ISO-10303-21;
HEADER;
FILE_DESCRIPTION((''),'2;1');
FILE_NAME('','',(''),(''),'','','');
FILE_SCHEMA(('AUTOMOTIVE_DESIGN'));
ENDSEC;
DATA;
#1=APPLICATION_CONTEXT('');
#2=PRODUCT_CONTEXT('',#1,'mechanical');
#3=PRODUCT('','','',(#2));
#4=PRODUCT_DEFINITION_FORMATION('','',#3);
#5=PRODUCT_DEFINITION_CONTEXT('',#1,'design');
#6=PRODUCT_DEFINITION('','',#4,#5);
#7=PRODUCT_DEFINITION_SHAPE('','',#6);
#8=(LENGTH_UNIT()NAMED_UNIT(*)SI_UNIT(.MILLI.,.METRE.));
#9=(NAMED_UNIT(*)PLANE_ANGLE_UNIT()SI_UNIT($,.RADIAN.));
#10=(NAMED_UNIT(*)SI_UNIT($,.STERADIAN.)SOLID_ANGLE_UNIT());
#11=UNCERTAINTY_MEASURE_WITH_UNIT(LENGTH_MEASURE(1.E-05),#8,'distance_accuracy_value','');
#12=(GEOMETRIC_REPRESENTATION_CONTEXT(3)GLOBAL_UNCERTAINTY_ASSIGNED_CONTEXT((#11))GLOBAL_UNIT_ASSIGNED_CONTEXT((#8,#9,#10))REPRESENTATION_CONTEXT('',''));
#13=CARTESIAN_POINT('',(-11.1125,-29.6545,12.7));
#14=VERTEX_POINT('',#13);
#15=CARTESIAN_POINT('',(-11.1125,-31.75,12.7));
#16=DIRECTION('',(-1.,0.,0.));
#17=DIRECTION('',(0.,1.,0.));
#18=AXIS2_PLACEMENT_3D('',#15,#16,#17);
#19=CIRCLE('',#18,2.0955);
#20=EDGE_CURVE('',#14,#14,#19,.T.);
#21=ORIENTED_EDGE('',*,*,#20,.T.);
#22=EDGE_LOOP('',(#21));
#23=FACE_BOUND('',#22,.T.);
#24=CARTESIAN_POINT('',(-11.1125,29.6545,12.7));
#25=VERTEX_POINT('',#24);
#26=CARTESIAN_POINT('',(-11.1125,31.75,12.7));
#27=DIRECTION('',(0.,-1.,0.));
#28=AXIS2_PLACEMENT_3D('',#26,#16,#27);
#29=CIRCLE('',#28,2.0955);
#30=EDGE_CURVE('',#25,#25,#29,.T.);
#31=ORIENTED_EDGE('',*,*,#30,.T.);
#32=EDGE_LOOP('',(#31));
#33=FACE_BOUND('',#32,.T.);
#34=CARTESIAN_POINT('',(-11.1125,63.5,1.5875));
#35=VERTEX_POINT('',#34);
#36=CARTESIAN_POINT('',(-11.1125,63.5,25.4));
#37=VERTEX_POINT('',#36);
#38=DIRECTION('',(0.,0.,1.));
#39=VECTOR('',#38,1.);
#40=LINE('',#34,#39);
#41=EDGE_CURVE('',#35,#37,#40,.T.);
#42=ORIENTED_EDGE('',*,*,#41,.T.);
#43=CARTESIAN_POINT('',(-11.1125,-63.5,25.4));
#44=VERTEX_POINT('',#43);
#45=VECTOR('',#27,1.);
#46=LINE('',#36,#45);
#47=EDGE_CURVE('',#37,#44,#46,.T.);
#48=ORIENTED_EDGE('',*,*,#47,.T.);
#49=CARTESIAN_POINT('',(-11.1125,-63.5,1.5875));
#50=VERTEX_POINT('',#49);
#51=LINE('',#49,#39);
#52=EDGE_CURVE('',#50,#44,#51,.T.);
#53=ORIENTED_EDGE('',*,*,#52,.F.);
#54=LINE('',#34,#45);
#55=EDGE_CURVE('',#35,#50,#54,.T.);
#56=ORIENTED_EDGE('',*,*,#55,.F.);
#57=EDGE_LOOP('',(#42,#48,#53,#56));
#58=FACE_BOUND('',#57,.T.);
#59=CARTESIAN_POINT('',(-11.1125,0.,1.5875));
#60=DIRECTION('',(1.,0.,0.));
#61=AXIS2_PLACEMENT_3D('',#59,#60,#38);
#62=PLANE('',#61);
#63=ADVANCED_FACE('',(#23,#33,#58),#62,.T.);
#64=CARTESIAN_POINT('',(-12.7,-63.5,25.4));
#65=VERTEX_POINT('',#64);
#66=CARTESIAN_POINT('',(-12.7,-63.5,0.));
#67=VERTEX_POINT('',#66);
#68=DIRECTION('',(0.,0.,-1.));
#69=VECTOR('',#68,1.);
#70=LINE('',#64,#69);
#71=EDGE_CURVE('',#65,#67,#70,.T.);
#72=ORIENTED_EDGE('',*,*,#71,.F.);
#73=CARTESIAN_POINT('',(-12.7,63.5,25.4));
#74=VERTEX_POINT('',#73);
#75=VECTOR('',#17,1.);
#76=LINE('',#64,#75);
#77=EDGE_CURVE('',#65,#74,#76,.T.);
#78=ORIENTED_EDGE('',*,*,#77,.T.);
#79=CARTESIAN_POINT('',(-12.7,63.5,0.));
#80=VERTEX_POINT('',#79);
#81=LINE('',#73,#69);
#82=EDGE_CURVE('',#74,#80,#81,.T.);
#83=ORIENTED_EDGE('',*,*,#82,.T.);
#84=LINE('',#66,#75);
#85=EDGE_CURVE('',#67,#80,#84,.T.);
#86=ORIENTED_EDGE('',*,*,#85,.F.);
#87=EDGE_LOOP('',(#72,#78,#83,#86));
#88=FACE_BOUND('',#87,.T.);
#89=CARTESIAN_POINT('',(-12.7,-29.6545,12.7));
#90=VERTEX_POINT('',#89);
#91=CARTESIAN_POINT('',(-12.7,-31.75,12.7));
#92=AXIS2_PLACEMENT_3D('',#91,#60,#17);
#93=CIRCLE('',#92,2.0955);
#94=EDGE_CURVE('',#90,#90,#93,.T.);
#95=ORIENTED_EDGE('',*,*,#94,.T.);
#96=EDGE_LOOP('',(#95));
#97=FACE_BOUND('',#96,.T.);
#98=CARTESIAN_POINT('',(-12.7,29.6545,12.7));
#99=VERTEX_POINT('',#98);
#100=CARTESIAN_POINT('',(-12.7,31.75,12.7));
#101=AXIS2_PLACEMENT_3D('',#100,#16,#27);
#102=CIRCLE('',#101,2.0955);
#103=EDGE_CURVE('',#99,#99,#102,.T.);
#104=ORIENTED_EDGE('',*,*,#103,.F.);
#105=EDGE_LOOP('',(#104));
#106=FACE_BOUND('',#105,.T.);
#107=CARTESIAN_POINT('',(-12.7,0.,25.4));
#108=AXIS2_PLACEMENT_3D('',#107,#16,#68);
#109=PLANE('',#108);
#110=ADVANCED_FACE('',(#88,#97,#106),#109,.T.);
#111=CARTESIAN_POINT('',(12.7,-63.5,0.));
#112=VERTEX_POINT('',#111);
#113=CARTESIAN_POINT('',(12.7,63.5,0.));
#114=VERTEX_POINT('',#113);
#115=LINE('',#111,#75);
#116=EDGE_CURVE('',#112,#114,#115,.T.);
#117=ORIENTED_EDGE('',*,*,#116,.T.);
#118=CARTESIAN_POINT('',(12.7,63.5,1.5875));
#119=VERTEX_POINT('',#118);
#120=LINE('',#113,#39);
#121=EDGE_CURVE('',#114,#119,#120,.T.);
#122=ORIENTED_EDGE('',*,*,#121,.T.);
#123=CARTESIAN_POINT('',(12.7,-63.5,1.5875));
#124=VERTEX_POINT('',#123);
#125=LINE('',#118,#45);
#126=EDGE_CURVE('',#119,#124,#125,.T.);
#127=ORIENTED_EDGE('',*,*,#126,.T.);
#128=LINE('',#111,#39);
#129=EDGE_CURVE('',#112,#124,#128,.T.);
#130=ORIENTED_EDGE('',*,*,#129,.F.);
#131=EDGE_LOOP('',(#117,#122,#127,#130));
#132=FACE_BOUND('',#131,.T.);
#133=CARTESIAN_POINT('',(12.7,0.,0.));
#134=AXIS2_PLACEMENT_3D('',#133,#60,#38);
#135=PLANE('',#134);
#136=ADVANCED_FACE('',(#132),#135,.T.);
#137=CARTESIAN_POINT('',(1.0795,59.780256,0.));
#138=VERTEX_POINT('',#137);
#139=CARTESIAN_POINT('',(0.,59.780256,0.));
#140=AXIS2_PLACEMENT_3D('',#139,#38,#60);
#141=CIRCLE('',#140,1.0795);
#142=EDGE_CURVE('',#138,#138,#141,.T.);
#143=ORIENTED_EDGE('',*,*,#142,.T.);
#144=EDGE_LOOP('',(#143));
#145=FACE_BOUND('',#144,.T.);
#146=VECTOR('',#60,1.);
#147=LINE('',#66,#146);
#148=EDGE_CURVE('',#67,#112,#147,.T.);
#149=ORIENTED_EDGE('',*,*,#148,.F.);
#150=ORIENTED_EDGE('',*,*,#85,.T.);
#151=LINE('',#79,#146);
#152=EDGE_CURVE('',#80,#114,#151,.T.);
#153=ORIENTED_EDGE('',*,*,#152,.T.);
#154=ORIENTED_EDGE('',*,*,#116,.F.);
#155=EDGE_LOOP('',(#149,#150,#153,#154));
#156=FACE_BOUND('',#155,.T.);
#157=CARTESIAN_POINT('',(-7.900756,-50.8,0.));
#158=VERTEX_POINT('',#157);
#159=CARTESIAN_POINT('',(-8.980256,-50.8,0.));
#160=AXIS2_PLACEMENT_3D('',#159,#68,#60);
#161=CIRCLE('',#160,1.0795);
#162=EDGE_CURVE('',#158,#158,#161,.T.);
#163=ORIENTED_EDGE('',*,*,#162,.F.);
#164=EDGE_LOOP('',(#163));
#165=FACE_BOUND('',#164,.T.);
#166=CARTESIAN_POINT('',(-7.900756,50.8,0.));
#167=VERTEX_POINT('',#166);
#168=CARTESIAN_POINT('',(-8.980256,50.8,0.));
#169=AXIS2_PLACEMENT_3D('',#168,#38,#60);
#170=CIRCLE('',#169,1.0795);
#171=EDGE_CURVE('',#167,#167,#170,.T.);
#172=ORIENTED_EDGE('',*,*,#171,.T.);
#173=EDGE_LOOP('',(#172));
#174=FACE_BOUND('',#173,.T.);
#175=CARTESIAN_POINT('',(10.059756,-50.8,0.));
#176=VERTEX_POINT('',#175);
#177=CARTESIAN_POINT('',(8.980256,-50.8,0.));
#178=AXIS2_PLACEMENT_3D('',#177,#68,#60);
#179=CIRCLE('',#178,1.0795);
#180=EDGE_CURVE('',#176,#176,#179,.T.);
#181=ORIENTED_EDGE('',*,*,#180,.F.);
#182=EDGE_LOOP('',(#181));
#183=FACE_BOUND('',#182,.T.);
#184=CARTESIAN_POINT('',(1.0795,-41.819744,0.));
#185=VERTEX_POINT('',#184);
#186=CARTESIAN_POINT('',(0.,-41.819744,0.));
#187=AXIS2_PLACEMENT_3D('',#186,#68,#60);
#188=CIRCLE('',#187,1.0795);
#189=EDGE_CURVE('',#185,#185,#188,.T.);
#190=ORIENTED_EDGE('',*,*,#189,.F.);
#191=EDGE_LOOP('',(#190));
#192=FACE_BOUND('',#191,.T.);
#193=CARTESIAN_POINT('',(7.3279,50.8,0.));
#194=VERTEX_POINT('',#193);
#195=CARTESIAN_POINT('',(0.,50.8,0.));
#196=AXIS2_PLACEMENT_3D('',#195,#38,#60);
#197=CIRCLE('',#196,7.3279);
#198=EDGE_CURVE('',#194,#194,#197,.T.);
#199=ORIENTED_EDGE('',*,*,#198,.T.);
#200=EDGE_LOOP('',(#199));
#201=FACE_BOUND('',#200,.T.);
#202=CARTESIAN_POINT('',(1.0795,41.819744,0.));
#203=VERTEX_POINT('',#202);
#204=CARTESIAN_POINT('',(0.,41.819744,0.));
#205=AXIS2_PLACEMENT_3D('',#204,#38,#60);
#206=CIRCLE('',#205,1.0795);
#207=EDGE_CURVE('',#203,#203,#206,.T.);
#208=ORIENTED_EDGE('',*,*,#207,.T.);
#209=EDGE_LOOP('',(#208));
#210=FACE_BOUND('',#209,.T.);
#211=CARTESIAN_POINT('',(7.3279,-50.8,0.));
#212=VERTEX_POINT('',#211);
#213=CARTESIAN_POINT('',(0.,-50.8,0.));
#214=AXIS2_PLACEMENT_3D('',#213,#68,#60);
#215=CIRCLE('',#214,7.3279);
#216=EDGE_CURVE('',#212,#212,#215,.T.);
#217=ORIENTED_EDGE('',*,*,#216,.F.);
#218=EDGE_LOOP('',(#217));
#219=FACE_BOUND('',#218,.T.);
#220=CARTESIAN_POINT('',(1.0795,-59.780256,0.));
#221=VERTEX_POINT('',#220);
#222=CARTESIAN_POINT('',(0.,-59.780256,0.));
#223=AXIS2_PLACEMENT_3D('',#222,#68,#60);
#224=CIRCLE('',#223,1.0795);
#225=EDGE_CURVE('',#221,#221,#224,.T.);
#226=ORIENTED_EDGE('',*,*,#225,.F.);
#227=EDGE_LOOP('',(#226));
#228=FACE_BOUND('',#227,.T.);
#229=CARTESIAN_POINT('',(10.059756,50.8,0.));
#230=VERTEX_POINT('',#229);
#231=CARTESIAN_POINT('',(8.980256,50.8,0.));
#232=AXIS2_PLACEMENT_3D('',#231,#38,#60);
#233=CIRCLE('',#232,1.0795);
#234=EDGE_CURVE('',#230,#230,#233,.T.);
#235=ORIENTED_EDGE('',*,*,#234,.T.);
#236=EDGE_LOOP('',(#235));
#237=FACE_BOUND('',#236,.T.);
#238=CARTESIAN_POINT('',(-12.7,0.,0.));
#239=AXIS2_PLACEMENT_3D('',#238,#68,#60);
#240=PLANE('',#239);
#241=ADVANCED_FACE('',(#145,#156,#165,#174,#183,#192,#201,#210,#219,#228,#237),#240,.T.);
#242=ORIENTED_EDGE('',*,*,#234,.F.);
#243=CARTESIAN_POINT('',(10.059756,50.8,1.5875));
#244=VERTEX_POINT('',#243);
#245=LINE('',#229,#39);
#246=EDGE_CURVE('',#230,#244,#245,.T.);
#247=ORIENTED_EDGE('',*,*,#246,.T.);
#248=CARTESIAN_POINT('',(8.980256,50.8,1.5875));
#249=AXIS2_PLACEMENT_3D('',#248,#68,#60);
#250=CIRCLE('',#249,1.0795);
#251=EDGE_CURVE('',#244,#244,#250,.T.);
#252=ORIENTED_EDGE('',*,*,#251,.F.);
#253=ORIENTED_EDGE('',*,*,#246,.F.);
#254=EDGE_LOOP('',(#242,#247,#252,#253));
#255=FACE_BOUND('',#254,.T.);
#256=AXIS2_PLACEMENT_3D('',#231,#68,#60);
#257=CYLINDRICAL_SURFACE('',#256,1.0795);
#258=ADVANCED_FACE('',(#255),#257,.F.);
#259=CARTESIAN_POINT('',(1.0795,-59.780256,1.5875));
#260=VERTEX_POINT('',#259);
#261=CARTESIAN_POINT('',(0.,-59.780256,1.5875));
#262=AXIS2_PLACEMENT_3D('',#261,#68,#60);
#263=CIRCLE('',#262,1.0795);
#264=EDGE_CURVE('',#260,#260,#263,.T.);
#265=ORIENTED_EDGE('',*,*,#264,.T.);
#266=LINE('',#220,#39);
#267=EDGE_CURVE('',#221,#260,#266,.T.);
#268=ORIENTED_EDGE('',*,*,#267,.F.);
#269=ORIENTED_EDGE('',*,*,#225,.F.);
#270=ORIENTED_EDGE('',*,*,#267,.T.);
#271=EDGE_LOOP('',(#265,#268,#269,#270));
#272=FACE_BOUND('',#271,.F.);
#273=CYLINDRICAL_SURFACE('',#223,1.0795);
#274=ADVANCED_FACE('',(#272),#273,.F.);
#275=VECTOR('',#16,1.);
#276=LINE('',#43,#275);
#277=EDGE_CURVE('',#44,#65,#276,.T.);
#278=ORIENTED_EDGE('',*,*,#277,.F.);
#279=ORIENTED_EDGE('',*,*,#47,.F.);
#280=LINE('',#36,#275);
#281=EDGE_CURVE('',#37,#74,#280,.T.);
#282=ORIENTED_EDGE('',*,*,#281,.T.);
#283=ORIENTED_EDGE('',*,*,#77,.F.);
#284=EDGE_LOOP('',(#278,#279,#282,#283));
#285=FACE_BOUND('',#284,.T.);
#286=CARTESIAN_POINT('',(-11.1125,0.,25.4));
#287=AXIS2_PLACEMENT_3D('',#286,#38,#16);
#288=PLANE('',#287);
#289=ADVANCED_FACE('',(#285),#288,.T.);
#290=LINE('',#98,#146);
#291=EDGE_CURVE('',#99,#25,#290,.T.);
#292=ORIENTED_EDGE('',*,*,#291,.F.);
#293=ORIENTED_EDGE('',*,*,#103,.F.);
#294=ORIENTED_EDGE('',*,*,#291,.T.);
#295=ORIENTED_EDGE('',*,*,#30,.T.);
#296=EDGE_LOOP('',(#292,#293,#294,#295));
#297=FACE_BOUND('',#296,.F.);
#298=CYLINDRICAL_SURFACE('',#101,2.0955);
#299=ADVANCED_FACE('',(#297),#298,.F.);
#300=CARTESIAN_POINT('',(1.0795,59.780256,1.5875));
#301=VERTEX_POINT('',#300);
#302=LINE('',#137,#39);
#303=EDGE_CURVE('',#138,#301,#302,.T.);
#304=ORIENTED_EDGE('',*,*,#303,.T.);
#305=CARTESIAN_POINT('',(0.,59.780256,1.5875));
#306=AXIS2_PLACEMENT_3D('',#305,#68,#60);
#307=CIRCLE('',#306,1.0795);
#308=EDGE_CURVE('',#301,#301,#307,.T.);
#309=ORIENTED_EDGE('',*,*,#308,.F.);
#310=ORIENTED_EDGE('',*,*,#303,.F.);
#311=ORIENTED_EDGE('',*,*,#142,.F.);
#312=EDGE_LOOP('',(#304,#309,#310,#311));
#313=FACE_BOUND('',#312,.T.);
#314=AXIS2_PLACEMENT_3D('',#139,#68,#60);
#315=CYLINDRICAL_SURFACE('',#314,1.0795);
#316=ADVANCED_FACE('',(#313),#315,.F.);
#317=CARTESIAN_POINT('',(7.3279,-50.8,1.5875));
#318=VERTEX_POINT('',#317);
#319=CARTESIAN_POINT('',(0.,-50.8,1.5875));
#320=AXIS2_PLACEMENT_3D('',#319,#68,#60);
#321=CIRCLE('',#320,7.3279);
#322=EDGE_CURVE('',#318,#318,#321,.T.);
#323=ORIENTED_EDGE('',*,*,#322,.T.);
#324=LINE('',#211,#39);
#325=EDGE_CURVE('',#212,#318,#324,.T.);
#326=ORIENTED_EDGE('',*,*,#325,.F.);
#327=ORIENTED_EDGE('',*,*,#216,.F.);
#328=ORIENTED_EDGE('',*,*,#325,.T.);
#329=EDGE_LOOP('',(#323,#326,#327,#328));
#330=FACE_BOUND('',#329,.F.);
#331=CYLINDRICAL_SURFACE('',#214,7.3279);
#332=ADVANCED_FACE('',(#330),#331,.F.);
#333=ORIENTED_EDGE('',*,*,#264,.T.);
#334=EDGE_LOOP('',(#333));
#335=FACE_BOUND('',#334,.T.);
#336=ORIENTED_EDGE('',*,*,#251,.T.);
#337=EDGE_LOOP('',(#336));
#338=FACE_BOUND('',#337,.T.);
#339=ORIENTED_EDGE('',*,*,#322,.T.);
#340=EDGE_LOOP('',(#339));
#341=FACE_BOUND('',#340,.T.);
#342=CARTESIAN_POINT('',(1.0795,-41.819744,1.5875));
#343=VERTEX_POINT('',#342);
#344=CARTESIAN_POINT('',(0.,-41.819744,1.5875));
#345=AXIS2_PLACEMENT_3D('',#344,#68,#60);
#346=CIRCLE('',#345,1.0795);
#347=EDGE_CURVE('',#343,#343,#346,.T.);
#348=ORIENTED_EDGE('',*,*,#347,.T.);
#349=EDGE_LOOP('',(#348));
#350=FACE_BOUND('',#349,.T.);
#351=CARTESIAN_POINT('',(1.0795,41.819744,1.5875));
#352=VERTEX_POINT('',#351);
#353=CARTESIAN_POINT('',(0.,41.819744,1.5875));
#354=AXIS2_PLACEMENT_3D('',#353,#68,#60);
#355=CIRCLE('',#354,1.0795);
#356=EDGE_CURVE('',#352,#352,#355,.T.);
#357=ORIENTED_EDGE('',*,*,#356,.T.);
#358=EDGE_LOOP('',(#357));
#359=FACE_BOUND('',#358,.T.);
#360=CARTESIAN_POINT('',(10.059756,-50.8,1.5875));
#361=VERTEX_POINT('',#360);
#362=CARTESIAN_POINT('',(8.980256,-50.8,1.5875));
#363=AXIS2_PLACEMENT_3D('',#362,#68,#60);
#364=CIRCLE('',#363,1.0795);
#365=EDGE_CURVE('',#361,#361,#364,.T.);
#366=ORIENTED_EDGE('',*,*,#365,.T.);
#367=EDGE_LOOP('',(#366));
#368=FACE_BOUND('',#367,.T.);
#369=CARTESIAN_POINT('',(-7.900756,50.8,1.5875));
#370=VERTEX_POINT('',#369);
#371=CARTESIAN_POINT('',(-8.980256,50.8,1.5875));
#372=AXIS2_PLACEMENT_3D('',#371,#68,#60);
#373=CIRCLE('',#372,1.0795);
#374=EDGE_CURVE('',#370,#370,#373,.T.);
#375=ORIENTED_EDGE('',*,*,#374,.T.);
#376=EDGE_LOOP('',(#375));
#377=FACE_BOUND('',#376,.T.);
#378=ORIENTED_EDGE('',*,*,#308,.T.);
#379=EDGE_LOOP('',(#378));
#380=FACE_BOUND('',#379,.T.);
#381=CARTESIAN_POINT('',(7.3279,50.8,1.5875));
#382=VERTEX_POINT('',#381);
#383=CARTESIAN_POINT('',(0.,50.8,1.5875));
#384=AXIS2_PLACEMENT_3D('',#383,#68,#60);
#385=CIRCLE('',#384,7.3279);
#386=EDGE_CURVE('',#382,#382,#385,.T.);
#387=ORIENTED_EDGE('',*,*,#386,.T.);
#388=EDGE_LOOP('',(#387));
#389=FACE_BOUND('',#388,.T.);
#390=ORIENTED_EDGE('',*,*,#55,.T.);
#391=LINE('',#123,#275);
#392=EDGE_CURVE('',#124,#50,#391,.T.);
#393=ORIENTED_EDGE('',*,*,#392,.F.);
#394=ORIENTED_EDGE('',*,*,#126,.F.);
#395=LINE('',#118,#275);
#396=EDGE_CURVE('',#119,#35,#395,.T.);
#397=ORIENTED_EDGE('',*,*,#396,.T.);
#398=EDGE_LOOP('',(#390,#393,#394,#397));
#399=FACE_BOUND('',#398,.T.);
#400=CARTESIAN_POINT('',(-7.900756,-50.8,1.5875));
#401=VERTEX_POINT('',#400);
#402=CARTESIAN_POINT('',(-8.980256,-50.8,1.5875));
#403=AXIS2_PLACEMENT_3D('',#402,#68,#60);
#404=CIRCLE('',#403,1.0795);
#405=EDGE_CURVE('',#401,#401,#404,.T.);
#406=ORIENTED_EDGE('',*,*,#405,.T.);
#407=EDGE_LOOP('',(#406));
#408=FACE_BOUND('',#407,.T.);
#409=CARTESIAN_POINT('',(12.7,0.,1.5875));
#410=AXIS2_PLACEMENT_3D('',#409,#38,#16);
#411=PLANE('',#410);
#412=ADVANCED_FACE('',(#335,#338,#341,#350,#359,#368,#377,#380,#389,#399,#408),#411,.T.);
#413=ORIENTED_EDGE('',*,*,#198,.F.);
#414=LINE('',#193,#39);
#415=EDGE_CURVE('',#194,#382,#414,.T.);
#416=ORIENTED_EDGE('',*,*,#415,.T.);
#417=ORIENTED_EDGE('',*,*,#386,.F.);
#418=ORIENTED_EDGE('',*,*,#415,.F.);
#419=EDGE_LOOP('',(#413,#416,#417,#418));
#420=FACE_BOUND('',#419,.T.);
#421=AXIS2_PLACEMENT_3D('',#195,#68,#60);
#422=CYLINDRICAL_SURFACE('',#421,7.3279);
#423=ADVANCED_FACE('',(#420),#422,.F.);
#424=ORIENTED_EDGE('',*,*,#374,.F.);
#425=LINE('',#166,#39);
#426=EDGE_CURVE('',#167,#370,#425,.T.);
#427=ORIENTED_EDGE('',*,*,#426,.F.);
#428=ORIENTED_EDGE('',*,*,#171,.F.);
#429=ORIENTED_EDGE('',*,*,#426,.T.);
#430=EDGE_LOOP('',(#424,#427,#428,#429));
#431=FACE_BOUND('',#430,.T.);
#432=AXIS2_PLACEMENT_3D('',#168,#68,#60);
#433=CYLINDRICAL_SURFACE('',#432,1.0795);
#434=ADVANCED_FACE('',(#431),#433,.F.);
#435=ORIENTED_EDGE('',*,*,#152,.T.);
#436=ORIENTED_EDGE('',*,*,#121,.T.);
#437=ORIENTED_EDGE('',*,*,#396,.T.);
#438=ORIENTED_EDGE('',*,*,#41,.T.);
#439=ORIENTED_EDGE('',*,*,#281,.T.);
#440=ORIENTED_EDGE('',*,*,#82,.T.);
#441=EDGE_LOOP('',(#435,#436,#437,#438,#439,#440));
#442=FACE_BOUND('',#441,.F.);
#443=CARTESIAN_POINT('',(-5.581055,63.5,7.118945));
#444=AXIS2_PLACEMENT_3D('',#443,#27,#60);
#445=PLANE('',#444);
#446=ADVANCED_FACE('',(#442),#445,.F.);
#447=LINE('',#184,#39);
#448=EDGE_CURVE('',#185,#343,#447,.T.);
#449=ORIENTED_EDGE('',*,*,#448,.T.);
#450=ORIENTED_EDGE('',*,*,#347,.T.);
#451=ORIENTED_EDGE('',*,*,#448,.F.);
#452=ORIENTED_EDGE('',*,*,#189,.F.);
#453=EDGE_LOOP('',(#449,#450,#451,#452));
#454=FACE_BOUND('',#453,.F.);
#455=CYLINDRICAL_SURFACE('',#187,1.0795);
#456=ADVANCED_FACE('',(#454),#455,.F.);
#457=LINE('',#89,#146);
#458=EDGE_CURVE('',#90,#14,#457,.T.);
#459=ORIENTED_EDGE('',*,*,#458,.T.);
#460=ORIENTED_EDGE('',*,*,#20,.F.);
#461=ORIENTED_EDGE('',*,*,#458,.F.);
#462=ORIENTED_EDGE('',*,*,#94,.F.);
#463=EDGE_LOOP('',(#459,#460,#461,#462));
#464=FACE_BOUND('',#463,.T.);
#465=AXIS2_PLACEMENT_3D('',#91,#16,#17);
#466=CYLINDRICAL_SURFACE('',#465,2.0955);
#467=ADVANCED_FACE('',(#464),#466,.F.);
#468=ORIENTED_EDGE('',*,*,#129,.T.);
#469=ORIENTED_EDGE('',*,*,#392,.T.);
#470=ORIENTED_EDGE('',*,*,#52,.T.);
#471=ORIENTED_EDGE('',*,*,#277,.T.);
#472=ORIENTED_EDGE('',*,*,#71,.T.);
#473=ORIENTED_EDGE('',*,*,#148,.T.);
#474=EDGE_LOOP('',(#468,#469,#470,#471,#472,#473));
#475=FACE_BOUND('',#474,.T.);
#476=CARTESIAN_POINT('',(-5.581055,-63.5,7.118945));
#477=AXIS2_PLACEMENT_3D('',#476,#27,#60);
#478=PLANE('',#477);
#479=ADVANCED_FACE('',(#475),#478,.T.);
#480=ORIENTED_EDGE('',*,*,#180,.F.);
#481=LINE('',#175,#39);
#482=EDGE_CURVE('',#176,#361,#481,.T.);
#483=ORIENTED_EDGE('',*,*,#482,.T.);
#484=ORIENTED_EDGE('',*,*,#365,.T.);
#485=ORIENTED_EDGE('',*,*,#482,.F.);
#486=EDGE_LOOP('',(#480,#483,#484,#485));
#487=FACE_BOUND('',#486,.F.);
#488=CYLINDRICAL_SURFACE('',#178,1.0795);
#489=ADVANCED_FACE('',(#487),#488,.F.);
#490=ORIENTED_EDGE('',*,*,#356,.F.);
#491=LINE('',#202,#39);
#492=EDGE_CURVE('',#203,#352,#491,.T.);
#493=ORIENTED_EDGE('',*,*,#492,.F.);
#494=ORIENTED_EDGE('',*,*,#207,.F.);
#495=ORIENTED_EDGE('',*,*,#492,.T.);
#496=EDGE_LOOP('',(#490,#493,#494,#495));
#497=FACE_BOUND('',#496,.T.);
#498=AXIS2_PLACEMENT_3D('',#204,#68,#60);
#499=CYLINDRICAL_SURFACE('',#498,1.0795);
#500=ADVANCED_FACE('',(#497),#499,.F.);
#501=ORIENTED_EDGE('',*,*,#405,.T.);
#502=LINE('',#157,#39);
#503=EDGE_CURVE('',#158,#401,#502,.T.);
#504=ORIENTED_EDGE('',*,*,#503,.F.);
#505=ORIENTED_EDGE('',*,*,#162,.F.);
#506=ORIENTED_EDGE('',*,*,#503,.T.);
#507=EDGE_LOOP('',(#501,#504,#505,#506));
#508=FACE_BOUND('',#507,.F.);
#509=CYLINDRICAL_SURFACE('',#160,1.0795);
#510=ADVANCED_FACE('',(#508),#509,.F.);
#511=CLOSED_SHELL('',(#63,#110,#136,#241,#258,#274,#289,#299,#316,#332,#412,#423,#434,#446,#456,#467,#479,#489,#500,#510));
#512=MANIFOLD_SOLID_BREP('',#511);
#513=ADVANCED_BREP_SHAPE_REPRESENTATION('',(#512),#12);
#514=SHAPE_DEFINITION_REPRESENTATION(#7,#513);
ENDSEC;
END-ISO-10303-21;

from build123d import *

# Parameters (mm, degrees)
F2_DEPTH = 63.5
F0_R     = 7.3279
F0_R_2   = 1.0795
F3_DEPTH = 25.401
F4_R     = 2.0955
F5_DEPTH = 25.401


with BuildPart() as f2:
    # F1 (on Front) → F2 (new body, symmetric)
    with BuildSketch(Plane.XZ):
        Polygon((12.7, 0), (12.7, 1.5875), (-11.1125, 1.5875), (-11.1125, 25.4), (-12.7, 25.4), (-12.7, 0), align=None)
    extrude(amount=F2_DEPTH, both=True)


with BuildPart() as f3:
    # F0 (on Top) → F3 (new body, through all)
    with BuildSketch(Plane.XY):
        with Locations((0, 50.8)):
            Circle(F0_R)
        with Locations((0, 59.780256)):
            Circle(F0_R_2)
        with Locations((8.980256, 50.8)):
            Circle(F0_R_2)
        with Locations((0, 41.819744)):
            Circle(F0_R_2)
        with Locations((-8.980256, 50.8)):
            Circle(F0_R_2)
    extrude(amount=F3_DEPTH)


with BuildPart() as f5:
    # F4 (on face) → F5 (new body, through all)
    with BuildSketch(Plane(origin=(-12.7, 0, 0), x_dir=(0, -1, 0), z_dir=(-1, 0, 0))):
        with Locations((-31.75, 12.7)):
            Circle(F4_R)
    extrude(amount=-F5_DEPTH)


with BuildPart() as f6_1:
    # F6: instance of F3
    add(f3.part.mirror(Plane.XZ))


with BuildPart() as f6_2:
    # F6: instance of F5
    add(f5.part.mirror(Plane.XZ))


with BuildPart() as f2_1:
    add(f2.part)

    # F7: cut F5, F6_2, F3, F6_1
    add(f5.part, mode=Mode.SUBTRACT)
    add(f6_2.part, mode=Mode.SUBTRACT)
    add(f3.part, mode=Mode.SUBTRACT)
    add(f6_1.part, mode=Mode.SUBTRACT)


solid = f2_1.part
